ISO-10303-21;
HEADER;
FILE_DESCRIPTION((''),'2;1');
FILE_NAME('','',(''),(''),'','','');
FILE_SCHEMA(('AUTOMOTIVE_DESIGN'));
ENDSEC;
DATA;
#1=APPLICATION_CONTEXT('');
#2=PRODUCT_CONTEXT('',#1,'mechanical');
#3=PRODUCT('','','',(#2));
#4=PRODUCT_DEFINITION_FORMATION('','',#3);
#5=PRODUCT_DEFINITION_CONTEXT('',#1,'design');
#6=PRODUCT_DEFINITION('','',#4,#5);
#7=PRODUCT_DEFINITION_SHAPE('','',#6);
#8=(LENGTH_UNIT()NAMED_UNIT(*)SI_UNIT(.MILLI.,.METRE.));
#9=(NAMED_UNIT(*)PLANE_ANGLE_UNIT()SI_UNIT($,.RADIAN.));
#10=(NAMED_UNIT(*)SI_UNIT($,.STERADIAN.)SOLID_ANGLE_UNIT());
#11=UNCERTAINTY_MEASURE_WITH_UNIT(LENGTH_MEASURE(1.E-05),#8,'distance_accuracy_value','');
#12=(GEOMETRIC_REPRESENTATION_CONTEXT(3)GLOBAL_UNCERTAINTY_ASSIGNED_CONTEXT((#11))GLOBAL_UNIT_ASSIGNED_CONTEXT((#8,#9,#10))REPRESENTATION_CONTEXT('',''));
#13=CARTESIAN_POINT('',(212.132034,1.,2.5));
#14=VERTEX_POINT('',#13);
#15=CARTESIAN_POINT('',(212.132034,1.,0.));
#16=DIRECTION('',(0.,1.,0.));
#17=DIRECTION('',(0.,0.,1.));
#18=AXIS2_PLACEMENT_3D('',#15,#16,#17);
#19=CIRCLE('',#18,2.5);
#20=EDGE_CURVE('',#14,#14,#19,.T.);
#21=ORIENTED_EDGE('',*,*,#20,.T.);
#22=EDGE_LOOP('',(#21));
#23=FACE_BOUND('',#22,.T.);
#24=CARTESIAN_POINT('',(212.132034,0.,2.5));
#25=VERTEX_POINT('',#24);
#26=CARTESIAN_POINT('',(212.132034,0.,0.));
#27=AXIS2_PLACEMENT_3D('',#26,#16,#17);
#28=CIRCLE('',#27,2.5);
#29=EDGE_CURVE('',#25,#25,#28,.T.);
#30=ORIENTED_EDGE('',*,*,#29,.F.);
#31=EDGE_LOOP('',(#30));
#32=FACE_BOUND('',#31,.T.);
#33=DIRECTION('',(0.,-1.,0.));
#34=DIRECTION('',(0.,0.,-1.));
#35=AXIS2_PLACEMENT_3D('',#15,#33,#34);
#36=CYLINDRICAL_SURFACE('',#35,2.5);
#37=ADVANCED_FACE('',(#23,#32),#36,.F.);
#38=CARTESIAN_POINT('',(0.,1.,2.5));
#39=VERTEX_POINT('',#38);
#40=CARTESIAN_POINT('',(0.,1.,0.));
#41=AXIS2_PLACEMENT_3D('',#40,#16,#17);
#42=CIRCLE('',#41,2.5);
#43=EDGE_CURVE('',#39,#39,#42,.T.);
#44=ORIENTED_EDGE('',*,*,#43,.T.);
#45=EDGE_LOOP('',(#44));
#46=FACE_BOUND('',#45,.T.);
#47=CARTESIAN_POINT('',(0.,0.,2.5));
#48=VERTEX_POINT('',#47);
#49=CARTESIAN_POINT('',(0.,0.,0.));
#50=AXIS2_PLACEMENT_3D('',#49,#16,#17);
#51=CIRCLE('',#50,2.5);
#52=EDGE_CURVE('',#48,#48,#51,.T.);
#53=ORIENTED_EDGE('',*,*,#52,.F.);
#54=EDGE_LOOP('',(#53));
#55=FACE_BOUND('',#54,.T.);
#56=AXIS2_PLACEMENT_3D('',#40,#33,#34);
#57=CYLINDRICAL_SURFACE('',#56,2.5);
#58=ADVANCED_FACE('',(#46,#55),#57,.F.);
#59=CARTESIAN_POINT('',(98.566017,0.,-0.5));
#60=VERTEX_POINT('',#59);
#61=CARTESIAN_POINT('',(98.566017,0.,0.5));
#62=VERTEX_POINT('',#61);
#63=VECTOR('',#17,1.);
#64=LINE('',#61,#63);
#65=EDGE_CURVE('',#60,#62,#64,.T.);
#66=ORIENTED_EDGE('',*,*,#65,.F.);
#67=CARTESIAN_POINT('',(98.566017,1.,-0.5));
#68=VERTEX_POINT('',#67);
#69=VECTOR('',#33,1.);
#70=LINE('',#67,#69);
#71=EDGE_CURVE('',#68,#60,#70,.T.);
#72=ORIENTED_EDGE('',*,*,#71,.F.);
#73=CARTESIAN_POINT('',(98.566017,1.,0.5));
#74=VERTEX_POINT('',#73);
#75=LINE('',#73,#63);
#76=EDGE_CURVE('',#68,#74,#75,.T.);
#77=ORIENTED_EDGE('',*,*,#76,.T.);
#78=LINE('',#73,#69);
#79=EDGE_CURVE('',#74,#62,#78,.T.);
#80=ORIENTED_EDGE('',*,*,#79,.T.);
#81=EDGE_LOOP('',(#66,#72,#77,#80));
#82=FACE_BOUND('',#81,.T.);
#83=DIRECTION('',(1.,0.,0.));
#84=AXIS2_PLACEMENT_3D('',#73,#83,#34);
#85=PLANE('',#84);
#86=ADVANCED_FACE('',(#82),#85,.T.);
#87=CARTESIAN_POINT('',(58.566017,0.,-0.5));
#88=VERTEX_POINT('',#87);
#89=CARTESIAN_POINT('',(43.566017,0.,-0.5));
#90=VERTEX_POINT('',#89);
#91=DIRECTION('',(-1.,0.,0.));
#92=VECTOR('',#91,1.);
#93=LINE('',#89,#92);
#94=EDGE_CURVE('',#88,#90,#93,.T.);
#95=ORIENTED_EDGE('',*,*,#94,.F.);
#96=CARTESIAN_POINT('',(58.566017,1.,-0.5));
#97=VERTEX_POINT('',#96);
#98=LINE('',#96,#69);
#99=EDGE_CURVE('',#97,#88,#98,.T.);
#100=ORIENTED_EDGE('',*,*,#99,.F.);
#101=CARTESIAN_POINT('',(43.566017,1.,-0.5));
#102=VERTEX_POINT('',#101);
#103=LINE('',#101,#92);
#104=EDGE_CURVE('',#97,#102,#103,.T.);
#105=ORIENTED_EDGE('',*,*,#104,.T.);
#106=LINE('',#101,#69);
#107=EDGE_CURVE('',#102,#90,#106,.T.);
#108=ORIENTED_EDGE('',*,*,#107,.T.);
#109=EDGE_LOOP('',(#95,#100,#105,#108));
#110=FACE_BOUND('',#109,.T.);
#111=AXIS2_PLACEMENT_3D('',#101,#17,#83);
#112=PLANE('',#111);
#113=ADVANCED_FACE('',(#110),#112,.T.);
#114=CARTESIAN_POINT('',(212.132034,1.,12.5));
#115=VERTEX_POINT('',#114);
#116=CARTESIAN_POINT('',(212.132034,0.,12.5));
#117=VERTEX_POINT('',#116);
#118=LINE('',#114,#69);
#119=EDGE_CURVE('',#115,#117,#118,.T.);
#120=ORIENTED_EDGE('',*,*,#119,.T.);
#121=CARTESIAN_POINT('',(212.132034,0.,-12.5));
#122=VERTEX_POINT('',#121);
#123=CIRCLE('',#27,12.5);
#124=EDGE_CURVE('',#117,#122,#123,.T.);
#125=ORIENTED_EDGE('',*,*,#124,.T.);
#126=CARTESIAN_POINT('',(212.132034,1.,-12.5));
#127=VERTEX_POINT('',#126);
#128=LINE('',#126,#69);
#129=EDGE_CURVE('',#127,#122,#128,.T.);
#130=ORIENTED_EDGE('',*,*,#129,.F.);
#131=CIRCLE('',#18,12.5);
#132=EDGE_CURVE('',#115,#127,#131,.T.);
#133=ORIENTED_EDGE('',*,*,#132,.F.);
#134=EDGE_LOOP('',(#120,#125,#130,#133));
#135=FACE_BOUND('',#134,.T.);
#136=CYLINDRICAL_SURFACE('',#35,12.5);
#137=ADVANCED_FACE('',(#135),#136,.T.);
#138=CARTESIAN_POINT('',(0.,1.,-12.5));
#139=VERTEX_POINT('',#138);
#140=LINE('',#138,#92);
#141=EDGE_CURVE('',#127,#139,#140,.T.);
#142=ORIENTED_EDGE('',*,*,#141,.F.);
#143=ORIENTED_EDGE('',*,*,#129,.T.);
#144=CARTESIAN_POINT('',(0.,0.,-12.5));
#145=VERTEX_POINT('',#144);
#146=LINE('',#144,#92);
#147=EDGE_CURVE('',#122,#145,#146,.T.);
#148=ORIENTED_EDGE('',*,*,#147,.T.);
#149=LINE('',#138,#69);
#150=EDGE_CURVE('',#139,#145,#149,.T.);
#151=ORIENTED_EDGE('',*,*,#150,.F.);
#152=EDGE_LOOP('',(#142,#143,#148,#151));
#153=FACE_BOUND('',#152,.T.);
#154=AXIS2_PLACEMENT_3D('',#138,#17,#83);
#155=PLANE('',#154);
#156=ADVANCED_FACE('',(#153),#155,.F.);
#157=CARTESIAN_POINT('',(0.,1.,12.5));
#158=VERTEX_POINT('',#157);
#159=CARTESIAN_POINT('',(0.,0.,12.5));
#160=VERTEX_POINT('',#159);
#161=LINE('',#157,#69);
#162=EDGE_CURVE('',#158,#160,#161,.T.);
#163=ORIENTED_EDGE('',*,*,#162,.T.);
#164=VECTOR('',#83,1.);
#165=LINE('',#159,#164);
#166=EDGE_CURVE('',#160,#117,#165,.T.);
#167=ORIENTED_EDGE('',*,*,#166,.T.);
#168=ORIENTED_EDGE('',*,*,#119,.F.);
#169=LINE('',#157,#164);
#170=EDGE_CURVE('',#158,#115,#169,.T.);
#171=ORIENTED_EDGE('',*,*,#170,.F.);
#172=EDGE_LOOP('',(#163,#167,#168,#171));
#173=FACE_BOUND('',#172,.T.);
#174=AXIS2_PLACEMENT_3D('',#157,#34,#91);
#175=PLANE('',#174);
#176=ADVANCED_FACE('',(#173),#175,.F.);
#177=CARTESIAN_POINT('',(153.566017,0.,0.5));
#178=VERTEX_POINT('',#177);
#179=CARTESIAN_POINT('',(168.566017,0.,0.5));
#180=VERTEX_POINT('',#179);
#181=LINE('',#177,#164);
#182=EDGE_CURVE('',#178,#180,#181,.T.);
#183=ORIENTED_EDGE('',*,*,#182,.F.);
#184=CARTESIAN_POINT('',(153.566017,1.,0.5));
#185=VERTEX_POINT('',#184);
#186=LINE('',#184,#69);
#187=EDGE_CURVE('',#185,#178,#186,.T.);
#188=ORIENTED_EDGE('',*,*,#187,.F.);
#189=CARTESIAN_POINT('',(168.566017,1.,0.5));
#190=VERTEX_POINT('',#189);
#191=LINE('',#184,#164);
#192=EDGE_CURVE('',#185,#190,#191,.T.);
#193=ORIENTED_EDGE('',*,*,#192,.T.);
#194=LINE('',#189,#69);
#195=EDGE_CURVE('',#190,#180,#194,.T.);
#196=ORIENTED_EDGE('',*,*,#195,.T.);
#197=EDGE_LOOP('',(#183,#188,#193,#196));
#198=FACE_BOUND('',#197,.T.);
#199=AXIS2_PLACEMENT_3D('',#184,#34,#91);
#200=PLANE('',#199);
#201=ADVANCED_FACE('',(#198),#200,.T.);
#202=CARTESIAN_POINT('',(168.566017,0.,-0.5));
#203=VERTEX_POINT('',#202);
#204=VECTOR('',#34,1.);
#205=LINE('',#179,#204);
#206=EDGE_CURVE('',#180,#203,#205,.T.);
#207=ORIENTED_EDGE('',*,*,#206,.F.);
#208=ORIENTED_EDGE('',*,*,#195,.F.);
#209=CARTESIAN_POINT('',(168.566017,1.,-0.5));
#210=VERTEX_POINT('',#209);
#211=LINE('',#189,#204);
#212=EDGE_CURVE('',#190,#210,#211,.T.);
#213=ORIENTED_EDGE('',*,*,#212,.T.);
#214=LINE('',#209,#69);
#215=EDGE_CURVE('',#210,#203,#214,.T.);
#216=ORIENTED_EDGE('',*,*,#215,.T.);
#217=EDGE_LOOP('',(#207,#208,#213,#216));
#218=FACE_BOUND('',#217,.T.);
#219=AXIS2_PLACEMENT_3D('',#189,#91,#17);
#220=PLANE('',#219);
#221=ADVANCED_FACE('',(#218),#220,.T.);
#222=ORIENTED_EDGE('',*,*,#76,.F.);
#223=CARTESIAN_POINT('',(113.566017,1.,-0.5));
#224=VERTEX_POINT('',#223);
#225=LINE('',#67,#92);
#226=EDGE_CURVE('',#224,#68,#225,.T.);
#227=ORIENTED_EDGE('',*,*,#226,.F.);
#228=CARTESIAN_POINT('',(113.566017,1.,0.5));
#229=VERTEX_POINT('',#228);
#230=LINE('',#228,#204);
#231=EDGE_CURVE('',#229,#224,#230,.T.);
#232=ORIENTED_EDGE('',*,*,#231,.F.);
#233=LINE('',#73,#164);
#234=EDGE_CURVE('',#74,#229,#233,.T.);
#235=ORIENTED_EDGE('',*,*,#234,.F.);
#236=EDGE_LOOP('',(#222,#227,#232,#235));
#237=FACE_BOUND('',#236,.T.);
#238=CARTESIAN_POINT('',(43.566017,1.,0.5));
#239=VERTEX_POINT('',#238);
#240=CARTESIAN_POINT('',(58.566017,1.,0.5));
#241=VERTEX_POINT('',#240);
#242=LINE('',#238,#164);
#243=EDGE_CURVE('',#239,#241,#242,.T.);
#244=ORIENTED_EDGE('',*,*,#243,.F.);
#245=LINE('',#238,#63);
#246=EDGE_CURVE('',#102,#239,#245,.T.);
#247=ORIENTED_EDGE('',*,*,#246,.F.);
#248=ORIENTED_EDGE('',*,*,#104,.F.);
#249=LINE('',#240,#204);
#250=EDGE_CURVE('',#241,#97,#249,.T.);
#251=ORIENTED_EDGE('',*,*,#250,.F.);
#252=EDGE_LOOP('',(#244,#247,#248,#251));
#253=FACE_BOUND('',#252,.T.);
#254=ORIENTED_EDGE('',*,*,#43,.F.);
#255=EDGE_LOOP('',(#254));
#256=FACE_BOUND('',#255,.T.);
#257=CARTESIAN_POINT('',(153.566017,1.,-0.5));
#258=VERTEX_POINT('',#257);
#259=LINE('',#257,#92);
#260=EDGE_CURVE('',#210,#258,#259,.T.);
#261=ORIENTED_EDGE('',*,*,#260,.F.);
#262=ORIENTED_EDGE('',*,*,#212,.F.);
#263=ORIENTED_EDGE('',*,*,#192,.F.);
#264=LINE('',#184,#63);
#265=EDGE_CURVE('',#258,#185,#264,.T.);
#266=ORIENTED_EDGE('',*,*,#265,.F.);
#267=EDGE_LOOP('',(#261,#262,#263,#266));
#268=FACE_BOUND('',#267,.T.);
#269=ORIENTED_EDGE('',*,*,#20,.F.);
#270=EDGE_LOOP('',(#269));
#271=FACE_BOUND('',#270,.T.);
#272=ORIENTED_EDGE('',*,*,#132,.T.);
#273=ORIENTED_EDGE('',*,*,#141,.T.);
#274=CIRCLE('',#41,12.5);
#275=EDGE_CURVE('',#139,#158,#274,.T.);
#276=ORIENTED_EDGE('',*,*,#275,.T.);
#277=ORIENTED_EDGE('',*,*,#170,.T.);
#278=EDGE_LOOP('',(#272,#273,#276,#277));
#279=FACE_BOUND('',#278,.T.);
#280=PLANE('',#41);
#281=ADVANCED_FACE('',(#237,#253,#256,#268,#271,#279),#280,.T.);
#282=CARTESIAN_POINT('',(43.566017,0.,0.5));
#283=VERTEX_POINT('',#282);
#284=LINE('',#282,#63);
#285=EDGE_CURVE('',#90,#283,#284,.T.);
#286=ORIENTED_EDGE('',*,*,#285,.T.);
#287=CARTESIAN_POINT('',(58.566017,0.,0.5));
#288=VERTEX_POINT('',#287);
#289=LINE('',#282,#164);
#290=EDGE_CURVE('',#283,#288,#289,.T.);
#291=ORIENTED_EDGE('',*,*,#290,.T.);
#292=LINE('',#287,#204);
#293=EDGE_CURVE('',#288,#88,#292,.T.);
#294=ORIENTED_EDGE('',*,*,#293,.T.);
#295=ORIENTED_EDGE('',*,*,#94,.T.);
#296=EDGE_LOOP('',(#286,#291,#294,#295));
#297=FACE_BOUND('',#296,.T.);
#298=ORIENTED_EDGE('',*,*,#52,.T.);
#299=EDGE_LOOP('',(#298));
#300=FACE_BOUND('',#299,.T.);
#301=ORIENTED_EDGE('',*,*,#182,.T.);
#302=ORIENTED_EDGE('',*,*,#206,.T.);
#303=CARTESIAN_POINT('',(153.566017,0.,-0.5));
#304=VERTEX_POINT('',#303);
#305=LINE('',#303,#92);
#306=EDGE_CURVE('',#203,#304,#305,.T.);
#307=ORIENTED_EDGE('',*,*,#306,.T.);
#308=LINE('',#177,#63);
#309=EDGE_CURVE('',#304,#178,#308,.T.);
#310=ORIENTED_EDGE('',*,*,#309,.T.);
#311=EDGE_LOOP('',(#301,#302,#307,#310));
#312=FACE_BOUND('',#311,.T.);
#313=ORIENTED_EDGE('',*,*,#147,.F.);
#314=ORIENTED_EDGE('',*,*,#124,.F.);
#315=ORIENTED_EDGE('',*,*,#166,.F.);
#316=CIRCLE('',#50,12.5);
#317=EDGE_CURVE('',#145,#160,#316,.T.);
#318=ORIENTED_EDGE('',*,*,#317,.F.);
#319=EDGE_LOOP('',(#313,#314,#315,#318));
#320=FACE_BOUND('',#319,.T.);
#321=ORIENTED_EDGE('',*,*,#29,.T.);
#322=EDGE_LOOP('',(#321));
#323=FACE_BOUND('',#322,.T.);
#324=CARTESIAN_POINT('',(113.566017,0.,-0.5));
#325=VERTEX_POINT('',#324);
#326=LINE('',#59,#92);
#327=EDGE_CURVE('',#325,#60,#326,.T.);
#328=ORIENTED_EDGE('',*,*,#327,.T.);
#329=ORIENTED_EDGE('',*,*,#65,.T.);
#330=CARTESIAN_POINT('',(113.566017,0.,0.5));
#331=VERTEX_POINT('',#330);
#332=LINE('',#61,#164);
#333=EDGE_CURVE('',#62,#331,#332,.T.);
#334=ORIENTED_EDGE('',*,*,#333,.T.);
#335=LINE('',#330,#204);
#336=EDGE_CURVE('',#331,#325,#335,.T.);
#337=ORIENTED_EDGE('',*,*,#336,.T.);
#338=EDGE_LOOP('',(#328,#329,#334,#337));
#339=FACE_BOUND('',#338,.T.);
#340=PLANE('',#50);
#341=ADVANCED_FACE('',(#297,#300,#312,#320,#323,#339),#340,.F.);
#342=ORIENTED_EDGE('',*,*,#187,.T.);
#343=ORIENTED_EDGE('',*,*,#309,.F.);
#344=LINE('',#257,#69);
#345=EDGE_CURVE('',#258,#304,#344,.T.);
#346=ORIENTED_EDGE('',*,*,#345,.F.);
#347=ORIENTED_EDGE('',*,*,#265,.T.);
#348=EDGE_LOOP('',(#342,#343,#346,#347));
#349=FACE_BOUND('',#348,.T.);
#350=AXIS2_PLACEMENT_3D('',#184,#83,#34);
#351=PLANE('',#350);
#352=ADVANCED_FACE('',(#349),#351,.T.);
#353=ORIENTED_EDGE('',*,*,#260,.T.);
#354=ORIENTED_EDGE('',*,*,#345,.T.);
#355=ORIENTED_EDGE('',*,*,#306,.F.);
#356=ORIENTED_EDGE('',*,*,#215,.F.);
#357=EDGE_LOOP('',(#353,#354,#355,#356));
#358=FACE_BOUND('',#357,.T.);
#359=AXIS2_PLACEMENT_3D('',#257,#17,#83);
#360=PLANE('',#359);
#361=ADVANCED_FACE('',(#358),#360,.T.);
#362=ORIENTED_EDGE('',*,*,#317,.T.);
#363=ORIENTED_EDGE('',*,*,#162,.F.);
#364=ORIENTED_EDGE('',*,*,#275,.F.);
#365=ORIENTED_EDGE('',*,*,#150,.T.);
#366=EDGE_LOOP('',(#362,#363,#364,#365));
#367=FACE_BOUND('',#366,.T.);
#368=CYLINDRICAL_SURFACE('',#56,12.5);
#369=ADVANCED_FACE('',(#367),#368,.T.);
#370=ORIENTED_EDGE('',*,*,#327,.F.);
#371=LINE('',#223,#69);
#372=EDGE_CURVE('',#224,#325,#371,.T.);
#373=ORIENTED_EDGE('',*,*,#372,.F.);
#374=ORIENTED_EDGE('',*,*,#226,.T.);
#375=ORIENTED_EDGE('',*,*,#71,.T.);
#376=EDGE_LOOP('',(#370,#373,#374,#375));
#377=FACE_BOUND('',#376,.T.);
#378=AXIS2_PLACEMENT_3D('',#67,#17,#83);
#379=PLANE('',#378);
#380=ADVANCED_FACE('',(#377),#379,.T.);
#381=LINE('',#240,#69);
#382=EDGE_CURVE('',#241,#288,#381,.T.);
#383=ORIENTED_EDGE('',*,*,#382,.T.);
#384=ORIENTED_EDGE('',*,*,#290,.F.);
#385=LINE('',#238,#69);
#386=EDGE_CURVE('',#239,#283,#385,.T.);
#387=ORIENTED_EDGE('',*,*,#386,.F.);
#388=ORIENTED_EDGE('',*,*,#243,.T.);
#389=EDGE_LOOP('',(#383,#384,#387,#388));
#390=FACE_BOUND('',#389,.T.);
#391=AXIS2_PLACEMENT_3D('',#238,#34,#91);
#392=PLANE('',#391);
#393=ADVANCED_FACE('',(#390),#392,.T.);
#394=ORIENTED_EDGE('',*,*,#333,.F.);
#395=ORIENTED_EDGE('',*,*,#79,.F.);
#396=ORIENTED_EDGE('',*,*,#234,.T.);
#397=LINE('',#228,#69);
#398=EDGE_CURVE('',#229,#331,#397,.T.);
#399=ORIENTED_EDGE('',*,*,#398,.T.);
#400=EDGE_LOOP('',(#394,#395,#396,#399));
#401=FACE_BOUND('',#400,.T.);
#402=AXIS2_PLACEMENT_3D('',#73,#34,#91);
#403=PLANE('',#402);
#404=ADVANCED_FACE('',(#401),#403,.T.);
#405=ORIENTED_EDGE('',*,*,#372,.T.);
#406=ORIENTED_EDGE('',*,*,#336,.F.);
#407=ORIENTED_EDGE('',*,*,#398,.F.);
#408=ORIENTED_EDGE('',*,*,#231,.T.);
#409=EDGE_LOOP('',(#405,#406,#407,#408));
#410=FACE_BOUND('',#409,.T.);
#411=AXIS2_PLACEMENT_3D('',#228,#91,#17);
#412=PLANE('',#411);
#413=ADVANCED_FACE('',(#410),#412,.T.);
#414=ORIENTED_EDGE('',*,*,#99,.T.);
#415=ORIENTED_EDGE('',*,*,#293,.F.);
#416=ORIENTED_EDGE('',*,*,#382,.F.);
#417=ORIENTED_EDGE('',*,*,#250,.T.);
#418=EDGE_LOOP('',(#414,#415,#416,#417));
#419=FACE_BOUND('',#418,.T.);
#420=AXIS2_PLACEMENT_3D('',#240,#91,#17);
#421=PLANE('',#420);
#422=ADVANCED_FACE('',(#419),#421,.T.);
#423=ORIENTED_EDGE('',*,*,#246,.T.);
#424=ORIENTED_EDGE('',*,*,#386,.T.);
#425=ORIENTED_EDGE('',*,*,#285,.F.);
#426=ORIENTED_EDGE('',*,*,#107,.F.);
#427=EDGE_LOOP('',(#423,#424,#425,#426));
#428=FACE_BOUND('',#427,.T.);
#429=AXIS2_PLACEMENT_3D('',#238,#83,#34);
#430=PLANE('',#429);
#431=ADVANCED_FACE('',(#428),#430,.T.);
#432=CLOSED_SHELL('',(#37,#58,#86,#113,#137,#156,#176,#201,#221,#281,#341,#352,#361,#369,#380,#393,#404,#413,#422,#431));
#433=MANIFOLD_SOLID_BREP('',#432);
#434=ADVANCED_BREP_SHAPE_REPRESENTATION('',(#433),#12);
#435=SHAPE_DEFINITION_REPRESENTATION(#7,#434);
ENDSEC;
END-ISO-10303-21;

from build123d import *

# Parameters (mm, degrees)
SKETCH1_R           = 2.5
SKETCH1_W           = 15
SKETCH1_H           = 1
BOSS_EXTRUDE1_DEPTH = 1


with BuildPart() as part:
    # Sketch1 → Boss-Extrude1 (new body)
    with BuildSketch(Plane(origin=(0, 0, 0), x_dir=(1, 0, 0), z_dir=(0, 1, 0))):
        with BuildLine():
            Line((0, 12.5), (212.132034356, 12.5))
            ThreePointArc((212.132034356, 12.5), (224.632034356, 0), (212.132034356, -12.5))
            Line((212.132034356, -12.5), (0, -12.5))
            ThreePointArc((0, -12.5), (-12.5, 0), (0, 12.5))
        make_face()
        with Locations(Location((0, 0, 0), (0, 0, 270))):
            Circle(SKETCH1_R, mode=Mode.SUBTRACT)
        with Locations(Location((212.132034356, 0, 0), (0, 0, 270))):
            Circle(SKETCH1_R, mode=Mode.SUBTRACT)
        with Locations((51.066017178, 0)):
            Rectangle(SKETCH1_W, SKETCH1_H, mode=Mode.SUBTRACT)
        with Locations((106.066017178, 0)):
            Rectangle(SKETCH1_W, SKETCH1_H, mode=Mode.SUBTRACT)
        with Locations((161.066017178, 0)):
            Rectangle(SKETCH1_W, SKETCH1_H, mode=Mode.SUBTRACT)
    extrude(amount=BOSS_EXTRUDE1_DEPTH)


solid = part.part
